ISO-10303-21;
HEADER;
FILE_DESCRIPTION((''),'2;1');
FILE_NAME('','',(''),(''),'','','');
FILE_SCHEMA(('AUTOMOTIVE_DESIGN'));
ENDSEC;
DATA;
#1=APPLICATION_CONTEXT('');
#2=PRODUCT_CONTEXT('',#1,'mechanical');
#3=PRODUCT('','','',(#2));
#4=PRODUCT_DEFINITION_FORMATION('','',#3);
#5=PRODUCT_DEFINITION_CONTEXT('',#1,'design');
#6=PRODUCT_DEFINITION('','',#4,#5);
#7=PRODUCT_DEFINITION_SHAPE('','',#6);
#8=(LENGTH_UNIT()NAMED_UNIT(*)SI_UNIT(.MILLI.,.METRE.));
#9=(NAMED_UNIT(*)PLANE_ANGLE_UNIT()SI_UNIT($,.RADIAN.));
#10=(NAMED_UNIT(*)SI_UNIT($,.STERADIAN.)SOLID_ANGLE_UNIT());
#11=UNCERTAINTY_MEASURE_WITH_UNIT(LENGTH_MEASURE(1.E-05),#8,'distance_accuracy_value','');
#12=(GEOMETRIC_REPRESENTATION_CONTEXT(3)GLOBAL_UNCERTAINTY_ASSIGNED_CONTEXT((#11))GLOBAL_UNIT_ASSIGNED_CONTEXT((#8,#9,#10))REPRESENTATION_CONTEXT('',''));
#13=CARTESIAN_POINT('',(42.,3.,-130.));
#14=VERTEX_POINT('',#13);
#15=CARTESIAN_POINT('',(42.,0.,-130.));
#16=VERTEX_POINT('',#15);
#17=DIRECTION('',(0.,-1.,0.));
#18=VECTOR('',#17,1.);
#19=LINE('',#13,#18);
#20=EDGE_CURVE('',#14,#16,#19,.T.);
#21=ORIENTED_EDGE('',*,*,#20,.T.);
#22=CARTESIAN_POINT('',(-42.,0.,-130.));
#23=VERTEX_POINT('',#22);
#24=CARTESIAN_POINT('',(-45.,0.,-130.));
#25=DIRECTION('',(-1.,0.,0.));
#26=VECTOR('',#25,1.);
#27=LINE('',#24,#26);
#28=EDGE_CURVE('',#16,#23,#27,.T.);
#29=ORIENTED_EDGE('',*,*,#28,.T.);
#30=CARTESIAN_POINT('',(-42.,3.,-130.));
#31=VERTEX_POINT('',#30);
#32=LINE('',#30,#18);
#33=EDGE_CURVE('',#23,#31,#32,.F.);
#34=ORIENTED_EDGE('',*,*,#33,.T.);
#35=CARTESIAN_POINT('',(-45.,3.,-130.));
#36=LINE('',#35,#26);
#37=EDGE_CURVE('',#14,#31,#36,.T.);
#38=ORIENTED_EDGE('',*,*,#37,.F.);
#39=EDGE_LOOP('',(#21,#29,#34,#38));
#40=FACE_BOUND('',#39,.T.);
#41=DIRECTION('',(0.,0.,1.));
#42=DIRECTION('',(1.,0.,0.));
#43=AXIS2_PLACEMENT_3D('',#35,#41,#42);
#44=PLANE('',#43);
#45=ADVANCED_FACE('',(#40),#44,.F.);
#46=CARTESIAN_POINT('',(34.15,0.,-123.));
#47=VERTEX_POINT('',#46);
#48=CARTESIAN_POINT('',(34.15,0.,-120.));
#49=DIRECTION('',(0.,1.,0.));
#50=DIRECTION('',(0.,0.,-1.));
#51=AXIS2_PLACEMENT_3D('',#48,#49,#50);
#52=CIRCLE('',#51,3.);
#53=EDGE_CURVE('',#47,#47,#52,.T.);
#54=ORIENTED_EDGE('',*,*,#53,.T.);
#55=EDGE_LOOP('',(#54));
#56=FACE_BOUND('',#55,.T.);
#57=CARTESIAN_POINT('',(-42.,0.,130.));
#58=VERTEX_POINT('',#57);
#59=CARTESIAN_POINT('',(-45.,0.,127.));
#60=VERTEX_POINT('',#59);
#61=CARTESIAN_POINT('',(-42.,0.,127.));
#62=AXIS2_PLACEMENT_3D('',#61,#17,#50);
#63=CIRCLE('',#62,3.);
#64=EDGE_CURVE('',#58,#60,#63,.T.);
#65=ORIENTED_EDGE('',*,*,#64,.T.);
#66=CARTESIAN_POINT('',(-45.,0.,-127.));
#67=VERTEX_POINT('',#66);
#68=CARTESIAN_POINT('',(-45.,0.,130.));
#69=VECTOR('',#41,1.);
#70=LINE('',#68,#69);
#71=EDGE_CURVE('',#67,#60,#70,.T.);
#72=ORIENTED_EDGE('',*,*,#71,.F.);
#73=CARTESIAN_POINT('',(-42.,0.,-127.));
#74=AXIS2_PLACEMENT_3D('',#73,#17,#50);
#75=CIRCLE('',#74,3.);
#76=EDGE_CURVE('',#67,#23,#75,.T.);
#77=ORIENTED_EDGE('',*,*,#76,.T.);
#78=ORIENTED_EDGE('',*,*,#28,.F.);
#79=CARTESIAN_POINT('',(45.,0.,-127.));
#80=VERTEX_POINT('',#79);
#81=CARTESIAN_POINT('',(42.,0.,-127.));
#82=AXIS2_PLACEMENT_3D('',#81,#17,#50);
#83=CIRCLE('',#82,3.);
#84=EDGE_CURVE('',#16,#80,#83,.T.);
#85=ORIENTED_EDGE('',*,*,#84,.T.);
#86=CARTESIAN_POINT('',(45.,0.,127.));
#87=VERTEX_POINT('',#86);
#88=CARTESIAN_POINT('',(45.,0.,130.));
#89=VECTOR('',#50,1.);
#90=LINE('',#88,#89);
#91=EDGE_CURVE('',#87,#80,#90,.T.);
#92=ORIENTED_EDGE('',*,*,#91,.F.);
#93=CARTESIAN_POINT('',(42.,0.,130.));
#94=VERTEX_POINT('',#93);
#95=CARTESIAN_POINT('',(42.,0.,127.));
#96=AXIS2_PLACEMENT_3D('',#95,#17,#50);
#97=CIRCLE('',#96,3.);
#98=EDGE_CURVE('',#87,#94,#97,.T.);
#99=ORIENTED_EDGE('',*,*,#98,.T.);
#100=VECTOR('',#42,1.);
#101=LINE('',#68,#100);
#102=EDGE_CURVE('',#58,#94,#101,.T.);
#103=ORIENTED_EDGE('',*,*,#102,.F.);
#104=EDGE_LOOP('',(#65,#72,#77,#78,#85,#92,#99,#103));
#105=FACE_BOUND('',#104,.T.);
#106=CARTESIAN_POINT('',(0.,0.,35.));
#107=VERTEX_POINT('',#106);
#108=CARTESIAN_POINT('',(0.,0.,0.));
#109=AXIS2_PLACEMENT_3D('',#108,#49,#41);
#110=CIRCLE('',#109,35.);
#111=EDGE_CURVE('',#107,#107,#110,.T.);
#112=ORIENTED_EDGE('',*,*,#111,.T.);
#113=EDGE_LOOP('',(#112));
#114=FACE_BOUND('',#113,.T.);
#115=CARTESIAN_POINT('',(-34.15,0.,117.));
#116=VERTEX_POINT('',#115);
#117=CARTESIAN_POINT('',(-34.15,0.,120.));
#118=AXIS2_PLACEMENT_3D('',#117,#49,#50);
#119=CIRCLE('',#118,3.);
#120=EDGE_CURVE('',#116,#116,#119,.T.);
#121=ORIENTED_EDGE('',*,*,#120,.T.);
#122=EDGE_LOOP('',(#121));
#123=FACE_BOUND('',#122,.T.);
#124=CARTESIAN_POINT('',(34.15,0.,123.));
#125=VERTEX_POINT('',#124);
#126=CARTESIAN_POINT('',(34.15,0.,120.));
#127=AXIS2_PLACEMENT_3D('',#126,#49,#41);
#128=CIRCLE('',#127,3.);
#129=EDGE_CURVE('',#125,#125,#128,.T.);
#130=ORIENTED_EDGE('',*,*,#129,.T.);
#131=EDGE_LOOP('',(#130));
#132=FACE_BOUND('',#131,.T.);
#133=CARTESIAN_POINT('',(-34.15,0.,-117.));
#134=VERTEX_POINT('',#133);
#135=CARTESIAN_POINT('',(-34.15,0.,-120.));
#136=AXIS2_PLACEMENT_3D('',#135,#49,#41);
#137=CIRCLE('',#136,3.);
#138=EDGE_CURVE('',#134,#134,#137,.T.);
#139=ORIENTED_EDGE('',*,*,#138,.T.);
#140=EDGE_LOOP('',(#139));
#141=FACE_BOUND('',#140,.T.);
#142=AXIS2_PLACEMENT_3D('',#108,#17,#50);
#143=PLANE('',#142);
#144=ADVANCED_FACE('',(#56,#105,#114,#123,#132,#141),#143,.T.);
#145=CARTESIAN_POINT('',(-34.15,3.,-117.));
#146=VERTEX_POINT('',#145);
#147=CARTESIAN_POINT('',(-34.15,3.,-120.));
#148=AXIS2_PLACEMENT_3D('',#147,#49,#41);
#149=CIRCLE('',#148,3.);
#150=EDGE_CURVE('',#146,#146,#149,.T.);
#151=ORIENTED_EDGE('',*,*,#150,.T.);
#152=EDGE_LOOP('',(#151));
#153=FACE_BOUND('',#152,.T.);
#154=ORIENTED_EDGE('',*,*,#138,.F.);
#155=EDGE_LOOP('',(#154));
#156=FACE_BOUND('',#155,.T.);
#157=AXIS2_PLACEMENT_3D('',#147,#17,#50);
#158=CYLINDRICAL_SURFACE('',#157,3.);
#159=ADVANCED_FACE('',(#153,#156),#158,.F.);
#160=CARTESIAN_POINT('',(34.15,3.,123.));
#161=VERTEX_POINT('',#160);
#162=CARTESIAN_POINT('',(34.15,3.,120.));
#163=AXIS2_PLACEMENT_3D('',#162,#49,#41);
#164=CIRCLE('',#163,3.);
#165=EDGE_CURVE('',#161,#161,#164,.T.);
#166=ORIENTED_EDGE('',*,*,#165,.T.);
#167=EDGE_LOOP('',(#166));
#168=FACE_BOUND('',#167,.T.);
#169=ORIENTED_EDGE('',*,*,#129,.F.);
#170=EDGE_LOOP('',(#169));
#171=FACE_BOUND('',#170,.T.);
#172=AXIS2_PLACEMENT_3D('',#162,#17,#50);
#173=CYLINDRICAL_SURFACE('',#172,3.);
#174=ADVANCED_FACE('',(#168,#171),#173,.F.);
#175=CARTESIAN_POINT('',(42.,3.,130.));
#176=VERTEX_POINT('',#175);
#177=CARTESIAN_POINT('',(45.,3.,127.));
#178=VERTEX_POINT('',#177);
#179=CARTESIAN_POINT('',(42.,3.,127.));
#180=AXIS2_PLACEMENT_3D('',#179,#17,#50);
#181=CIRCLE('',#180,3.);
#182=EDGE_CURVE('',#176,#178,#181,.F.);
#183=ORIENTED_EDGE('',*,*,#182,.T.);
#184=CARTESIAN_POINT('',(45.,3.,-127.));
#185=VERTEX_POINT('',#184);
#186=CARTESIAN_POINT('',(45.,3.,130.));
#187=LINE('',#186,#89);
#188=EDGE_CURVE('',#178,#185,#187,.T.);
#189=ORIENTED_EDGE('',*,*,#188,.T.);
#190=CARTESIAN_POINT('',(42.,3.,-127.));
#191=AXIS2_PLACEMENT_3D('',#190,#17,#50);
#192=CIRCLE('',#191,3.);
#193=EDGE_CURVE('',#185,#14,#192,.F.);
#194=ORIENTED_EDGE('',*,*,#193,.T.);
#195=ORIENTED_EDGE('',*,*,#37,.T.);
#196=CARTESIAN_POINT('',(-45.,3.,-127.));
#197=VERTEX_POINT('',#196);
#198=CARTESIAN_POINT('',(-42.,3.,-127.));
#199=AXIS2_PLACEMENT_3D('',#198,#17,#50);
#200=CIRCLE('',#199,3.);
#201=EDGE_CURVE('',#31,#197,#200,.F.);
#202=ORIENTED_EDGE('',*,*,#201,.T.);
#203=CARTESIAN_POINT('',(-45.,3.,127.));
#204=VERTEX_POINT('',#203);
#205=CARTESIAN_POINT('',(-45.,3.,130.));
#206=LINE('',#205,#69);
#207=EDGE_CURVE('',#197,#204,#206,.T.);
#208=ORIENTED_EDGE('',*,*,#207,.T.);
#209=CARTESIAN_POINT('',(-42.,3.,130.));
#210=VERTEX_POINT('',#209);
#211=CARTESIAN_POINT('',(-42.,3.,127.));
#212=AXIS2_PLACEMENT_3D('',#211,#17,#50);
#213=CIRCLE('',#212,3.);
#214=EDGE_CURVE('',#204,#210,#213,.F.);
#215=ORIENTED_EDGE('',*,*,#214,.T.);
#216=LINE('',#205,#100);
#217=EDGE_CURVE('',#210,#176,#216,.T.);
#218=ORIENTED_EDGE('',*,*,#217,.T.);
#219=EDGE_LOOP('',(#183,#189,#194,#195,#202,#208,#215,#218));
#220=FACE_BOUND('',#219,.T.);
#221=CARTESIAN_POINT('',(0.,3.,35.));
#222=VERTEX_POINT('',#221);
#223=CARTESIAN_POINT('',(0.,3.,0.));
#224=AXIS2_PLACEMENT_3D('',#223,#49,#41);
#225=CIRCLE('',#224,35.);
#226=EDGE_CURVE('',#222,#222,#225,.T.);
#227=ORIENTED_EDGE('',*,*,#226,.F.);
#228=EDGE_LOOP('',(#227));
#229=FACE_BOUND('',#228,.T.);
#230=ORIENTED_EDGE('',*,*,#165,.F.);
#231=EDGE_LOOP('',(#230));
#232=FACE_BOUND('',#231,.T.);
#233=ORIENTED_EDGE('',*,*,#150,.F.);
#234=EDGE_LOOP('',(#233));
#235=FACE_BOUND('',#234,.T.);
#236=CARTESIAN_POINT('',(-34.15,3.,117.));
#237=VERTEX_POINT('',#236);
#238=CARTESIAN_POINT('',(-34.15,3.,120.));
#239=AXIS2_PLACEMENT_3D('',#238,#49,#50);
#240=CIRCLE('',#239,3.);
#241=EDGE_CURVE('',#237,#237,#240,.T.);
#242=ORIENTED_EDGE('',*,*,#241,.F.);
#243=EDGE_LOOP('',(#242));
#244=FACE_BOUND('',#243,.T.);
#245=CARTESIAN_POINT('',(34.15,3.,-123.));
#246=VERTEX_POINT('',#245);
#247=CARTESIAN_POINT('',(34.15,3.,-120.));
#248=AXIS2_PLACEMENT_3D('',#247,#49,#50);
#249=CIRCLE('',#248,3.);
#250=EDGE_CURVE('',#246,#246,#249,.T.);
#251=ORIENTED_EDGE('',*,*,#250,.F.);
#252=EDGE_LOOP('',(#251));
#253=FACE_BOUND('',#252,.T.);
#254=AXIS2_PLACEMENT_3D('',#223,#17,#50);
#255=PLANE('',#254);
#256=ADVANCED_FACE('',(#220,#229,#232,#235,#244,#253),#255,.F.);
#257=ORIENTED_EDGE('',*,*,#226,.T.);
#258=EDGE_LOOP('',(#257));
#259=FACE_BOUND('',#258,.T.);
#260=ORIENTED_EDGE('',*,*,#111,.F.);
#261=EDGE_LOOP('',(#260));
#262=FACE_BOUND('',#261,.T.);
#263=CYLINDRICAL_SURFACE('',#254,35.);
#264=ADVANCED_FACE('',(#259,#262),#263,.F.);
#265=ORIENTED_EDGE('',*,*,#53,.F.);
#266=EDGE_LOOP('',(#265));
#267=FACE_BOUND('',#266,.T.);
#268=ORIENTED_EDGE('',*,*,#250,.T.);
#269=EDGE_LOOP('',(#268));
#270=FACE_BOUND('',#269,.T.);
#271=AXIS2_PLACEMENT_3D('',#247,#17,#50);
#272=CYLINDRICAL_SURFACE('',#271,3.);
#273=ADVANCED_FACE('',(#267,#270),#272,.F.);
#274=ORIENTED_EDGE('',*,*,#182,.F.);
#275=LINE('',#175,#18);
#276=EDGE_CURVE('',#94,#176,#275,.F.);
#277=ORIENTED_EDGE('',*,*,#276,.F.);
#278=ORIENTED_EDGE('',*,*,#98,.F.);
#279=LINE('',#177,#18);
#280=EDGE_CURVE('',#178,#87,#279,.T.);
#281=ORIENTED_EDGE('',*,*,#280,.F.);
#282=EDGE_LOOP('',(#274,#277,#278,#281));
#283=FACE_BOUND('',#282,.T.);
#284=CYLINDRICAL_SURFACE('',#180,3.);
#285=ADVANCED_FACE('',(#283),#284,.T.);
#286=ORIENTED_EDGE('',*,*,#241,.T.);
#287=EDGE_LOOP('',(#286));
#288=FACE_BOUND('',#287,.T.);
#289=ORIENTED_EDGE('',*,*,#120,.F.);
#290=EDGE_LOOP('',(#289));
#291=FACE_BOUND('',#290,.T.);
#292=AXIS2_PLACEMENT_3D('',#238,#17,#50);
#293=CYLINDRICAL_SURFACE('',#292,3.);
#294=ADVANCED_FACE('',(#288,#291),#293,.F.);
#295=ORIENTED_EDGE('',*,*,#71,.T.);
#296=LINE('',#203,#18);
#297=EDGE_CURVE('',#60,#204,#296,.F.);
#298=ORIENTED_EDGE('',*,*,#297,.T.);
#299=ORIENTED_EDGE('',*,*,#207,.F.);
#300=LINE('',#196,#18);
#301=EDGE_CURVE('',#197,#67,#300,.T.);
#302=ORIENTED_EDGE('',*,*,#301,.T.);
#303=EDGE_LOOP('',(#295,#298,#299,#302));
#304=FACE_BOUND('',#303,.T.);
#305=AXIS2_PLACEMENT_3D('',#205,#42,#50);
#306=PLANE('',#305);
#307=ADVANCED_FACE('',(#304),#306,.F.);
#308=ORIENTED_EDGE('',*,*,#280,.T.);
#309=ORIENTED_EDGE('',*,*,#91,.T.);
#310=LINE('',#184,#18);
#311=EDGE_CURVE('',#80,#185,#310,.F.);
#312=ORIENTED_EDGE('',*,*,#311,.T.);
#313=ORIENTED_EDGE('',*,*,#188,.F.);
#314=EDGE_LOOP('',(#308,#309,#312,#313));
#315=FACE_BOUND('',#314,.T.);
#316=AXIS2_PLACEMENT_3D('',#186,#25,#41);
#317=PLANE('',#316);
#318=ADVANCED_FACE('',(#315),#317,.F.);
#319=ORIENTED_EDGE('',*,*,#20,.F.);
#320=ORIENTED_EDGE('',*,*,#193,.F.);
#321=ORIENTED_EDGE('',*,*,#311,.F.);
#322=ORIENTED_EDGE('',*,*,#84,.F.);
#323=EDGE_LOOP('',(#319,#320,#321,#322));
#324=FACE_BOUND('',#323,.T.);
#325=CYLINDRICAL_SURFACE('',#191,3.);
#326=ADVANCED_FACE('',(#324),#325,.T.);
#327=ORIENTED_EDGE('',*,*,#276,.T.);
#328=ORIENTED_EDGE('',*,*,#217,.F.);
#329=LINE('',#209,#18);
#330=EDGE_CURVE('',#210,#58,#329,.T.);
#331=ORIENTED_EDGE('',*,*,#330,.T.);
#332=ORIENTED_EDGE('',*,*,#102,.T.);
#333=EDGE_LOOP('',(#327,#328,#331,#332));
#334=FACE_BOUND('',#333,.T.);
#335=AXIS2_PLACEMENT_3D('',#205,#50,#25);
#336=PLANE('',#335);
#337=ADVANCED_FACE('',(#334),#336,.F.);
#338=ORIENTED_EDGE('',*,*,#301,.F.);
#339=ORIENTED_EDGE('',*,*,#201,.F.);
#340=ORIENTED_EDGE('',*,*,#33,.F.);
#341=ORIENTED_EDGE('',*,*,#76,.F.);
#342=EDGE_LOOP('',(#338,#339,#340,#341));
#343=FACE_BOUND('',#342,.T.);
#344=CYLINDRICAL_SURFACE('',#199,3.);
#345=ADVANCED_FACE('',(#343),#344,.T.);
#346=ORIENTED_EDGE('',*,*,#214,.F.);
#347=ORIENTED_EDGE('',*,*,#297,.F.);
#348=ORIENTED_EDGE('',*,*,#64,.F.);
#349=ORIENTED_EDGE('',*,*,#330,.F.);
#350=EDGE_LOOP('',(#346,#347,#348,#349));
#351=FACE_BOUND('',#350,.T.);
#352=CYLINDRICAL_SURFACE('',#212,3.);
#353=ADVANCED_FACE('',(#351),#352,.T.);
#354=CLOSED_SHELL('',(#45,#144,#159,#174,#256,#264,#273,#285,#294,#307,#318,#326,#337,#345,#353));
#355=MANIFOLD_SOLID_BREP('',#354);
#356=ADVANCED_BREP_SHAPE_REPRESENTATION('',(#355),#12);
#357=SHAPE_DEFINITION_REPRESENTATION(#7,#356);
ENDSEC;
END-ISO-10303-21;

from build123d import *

# Parameters (mm, degrees)
SKETCH1_W           = 90
SKETCH1_H           = 260
SKETCH1_R           = 35
SKETCH1_R_2         = 3
BOSS_EXTRUDE1_DEPTH = 3
FILLET1_R           = 3


with BuildPart() as part:
    # Sketch1 → Boss-Extrude1 (new body)
    with BuildSketch(Plane(origin=(0, 0, 0), x_dir=(1, 0, 0), z_dir=(0, 1, 0))):
        Rectangle(SKETCH1_W, SKETCH1_H)
        Circle(SKETCH1_R, mode=Mode.SUBTRACT)
        with Locations((-34.15, 120)):
            Circle(SKETCH1_R_2, mode=Mode.SUBTRACT)
        with Locations((34.15, 120)):
            Circle(SKETCH1_R_2, mode=Mode.SUBTRACT)
        with Locations((34.15, -120)):
            Circle(SKETCH1_R_2, mode=Mode.SUBTRACT)
        with Locations((-34.15, -120)):
            Circle(SKETCH1_R_2, mode=Mode.SUBTRACT)
    extrude(amount=BOSS_EXTRUDE1_DEPTH)

    # Fillet1
    fillet1_edges = [part.edges().sort_by_distance(p)[0] for p in [
        (45, 1.5, 130),
        (-45, 1.5, 130),
        (-45, 1.5, -130),
        (45, 1.5, -130),
    ]]
    fillet(fillet1_edges, radius=FILLET1_R)


solid = part.part
